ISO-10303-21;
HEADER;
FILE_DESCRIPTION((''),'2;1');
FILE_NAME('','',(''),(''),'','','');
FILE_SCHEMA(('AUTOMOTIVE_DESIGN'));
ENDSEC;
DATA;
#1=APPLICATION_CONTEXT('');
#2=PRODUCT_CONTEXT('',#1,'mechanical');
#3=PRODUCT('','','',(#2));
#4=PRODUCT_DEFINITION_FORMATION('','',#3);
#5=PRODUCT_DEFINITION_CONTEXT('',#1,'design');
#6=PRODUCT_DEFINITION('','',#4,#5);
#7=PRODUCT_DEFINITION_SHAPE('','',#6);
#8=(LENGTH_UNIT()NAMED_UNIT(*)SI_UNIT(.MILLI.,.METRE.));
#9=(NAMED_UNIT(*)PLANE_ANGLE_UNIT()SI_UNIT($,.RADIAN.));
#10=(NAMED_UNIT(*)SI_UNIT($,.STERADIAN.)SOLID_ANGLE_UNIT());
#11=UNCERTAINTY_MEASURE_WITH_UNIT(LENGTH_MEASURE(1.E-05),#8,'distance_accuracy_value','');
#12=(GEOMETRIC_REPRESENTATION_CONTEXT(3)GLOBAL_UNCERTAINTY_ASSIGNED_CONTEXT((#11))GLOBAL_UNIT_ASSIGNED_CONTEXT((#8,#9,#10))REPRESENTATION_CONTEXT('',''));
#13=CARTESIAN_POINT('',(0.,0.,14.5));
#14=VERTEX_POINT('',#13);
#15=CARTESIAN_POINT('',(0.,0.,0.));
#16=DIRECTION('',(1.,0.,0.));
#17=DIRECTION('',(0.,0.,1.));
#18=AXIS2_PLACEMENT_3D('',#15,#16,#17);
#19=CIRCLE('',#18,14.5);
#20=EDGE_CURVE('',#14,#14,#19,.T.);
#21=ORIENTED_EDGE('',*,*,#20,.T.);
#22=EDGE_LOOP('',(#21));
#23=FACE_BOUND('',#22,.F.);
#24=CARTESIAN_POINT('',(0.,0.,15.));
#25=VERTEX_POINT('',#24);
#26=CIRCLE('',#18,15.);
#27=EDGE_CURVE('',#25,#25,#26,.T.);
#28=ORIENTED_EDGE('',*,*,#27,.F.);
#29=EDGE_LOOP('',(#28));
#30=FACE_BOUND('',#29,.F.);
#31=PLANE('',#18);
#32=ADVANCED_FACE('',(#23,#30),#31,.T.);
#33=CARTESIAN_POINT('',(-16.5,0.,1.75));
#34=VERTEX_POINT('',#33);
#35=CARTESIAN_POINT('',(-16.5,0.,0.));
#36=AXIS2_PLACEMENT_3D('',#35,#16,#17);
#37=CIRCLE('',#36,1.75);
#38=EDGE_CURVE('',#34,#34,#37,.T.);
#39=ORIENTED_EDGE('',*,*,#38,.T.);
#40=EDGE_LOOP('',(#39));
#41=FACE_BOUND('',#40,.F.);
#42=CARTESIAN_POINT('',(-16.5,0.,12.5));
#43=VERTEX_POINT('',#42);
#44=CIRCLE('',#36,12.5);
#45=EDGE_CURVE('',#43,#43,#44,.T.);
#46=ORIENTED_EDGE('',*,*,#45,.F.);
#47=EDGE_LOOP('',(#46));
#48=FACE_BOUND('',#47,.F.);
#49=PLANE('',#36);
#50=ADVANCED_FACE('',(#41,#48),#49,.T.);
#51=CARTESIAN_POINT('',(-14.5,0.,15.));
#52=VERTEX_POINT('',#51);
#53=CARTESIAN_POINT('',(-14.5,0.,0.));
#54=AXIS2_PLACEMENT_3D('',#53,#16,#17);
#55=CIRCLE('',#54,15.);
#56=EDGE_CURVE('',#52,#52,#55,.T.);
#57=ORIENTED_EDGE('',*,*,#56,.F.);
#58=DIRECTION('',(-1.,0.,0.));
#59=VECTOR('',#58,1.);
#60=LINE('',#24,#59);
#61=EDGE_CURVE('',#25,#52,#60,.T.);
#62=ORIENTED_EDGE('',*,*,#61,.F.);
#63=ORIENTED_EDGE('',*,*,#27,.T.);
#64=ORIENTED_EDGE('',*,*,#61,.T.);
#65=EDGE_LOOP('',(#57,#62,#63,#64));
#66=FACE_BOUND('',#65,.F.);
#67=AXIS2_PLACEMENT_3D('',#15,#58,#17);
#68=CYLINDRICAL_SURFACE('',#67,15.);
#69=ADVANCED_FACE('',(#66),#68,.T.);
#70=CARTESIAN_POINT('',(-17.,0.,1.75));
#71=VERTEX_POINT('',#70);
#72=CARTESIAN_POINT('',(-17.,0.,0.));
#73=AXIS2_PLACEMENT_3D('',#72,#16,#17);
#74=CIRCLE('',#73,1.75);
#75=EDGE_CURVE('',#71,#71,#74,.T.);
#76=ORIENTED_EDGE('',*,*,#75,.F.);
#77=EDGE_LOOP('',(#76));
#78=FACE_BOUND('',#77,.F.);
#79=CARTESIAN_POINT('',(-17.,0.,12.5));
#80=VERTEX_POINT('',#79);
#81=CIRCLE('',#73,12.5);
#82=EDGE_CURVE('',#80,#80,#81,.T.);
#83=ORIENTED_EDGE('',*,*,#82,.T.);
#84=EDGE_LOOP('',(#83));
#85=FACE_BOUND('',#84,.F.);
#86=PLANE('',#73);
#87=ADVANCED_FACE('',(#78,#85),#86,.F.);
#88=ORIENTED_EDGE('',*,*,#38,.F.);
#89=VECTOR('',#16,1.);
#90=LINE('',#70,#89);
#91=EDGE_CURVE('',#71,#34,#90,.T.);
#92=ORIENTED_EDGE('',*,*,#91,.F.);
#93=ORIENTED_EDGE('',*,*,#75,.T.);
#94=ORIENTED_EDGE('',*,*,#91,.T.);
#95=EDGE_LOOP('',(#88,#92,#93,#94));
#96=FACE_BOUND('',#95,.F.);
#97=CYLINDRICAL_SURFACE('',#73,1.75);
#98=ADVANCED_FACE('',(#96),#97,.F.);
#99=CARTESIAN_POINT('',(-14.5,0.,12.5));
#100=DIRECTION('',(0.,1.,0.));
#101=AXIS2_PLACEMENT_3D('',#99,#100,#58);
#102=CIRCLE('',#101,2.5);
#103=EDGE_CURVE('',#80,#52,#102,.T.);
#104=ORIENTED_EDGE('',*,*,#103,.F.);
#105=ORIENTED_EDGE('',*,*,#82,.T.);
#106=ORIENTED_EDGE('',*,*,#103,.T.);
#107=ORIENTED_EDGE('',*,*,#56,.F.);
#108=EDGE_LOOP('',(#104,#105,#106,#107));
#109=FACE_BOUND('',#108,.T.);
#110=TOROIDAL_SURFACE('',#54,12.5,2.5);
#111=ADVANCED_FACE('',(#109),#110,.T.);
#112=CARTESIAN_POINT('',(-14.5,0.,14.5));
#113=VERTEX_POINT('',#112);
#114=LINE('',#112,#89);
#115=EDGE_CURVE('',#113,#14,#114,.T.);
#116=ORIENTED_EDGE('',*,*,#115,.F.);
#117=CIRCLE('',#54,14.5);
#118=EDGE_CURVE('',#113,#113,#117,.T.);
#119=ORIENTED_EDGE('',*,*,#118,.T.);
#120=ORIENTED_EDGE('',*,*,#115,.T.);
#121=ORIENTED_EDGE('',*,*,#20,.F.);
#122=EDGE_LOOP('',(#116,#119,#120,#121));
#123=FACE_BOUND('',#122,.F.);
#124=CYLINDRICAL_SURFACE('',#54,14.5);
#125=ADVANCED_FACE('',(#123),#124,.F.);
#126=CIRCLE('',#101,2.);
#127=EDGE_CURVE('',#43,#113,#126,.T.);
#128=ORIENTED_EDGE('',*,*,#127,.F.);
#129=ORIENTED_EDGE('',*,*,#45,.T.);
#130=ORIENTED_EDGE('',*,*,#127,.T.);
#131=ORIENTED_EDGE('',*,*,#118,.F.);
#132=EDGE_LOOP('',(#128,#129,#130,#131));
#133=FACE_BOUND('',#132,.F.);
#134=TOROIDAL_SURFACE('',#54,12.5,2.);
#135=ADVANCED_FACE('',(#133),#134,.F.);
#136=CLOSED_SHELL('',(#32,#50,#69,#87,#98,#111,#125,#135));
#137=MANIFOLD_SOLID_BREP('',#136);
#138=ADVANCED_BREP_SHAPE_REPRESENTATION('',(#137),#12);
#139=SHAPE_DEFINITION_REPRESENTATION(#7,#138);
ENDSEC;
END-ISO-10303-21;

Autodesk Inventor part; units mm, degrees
ref_plane "YZ Plane" through (0, 0, 0) normal (1, 0, 0) x (0, 1, 0)
ref_plane "XZ Plane" through (0, 0, 0) normal (0, 1, 0) x (-1, 0, 0)
ref_plane "XY Plane" through (0, 0, 0) normal (0, 0, 1) x (1, 0, 0)
sketch "Эскиз1" plane through (0, 0, 0) normal (0, 1, 0) x (-1, 0, 0)
  line L0 (0, 0) -> (0, 15) construction
  line L1 (0, 15) -> (14.5, 15)
  line L2 (17, 12.5) -> (17, 1.75)
  line L3 (17, 1.75) -> (16.5, 1.75)
  line L4 (16.5, 1.75) -> (16.5, 12.5)
  line L5 (14.5, 14.5) -> (0, 14.5)
  line L6 (0, 14.5) -> (0, 15)
  arc A0 (16.5, 12.5) -> (14.5, 14.5) centre (14.5, 12.5) ccw
  arc A1 (17, 12.5) -> (14.5, 15) centre (14.5, 12.5) ccw
  line L7 (21.0213, 0) -> (-3.5036, 0) projected
  point P0 (17, 15)
  point P1 (16.5, 14.5)
  dimension "d0" = 15
  dimension "d1" = 17
  dimension "d2" = 13.25
  dimension "d3" = 0.5
  dimension "d4" = 12.75
  dimension "d5" = 2
  dimension "d6" = 2.5
revolve "Вращение1" add sketch "Эскиз1" angle 360 about axis through (-10, 0, 0) along (1, 0, 0)
properties part number "Кожух"
